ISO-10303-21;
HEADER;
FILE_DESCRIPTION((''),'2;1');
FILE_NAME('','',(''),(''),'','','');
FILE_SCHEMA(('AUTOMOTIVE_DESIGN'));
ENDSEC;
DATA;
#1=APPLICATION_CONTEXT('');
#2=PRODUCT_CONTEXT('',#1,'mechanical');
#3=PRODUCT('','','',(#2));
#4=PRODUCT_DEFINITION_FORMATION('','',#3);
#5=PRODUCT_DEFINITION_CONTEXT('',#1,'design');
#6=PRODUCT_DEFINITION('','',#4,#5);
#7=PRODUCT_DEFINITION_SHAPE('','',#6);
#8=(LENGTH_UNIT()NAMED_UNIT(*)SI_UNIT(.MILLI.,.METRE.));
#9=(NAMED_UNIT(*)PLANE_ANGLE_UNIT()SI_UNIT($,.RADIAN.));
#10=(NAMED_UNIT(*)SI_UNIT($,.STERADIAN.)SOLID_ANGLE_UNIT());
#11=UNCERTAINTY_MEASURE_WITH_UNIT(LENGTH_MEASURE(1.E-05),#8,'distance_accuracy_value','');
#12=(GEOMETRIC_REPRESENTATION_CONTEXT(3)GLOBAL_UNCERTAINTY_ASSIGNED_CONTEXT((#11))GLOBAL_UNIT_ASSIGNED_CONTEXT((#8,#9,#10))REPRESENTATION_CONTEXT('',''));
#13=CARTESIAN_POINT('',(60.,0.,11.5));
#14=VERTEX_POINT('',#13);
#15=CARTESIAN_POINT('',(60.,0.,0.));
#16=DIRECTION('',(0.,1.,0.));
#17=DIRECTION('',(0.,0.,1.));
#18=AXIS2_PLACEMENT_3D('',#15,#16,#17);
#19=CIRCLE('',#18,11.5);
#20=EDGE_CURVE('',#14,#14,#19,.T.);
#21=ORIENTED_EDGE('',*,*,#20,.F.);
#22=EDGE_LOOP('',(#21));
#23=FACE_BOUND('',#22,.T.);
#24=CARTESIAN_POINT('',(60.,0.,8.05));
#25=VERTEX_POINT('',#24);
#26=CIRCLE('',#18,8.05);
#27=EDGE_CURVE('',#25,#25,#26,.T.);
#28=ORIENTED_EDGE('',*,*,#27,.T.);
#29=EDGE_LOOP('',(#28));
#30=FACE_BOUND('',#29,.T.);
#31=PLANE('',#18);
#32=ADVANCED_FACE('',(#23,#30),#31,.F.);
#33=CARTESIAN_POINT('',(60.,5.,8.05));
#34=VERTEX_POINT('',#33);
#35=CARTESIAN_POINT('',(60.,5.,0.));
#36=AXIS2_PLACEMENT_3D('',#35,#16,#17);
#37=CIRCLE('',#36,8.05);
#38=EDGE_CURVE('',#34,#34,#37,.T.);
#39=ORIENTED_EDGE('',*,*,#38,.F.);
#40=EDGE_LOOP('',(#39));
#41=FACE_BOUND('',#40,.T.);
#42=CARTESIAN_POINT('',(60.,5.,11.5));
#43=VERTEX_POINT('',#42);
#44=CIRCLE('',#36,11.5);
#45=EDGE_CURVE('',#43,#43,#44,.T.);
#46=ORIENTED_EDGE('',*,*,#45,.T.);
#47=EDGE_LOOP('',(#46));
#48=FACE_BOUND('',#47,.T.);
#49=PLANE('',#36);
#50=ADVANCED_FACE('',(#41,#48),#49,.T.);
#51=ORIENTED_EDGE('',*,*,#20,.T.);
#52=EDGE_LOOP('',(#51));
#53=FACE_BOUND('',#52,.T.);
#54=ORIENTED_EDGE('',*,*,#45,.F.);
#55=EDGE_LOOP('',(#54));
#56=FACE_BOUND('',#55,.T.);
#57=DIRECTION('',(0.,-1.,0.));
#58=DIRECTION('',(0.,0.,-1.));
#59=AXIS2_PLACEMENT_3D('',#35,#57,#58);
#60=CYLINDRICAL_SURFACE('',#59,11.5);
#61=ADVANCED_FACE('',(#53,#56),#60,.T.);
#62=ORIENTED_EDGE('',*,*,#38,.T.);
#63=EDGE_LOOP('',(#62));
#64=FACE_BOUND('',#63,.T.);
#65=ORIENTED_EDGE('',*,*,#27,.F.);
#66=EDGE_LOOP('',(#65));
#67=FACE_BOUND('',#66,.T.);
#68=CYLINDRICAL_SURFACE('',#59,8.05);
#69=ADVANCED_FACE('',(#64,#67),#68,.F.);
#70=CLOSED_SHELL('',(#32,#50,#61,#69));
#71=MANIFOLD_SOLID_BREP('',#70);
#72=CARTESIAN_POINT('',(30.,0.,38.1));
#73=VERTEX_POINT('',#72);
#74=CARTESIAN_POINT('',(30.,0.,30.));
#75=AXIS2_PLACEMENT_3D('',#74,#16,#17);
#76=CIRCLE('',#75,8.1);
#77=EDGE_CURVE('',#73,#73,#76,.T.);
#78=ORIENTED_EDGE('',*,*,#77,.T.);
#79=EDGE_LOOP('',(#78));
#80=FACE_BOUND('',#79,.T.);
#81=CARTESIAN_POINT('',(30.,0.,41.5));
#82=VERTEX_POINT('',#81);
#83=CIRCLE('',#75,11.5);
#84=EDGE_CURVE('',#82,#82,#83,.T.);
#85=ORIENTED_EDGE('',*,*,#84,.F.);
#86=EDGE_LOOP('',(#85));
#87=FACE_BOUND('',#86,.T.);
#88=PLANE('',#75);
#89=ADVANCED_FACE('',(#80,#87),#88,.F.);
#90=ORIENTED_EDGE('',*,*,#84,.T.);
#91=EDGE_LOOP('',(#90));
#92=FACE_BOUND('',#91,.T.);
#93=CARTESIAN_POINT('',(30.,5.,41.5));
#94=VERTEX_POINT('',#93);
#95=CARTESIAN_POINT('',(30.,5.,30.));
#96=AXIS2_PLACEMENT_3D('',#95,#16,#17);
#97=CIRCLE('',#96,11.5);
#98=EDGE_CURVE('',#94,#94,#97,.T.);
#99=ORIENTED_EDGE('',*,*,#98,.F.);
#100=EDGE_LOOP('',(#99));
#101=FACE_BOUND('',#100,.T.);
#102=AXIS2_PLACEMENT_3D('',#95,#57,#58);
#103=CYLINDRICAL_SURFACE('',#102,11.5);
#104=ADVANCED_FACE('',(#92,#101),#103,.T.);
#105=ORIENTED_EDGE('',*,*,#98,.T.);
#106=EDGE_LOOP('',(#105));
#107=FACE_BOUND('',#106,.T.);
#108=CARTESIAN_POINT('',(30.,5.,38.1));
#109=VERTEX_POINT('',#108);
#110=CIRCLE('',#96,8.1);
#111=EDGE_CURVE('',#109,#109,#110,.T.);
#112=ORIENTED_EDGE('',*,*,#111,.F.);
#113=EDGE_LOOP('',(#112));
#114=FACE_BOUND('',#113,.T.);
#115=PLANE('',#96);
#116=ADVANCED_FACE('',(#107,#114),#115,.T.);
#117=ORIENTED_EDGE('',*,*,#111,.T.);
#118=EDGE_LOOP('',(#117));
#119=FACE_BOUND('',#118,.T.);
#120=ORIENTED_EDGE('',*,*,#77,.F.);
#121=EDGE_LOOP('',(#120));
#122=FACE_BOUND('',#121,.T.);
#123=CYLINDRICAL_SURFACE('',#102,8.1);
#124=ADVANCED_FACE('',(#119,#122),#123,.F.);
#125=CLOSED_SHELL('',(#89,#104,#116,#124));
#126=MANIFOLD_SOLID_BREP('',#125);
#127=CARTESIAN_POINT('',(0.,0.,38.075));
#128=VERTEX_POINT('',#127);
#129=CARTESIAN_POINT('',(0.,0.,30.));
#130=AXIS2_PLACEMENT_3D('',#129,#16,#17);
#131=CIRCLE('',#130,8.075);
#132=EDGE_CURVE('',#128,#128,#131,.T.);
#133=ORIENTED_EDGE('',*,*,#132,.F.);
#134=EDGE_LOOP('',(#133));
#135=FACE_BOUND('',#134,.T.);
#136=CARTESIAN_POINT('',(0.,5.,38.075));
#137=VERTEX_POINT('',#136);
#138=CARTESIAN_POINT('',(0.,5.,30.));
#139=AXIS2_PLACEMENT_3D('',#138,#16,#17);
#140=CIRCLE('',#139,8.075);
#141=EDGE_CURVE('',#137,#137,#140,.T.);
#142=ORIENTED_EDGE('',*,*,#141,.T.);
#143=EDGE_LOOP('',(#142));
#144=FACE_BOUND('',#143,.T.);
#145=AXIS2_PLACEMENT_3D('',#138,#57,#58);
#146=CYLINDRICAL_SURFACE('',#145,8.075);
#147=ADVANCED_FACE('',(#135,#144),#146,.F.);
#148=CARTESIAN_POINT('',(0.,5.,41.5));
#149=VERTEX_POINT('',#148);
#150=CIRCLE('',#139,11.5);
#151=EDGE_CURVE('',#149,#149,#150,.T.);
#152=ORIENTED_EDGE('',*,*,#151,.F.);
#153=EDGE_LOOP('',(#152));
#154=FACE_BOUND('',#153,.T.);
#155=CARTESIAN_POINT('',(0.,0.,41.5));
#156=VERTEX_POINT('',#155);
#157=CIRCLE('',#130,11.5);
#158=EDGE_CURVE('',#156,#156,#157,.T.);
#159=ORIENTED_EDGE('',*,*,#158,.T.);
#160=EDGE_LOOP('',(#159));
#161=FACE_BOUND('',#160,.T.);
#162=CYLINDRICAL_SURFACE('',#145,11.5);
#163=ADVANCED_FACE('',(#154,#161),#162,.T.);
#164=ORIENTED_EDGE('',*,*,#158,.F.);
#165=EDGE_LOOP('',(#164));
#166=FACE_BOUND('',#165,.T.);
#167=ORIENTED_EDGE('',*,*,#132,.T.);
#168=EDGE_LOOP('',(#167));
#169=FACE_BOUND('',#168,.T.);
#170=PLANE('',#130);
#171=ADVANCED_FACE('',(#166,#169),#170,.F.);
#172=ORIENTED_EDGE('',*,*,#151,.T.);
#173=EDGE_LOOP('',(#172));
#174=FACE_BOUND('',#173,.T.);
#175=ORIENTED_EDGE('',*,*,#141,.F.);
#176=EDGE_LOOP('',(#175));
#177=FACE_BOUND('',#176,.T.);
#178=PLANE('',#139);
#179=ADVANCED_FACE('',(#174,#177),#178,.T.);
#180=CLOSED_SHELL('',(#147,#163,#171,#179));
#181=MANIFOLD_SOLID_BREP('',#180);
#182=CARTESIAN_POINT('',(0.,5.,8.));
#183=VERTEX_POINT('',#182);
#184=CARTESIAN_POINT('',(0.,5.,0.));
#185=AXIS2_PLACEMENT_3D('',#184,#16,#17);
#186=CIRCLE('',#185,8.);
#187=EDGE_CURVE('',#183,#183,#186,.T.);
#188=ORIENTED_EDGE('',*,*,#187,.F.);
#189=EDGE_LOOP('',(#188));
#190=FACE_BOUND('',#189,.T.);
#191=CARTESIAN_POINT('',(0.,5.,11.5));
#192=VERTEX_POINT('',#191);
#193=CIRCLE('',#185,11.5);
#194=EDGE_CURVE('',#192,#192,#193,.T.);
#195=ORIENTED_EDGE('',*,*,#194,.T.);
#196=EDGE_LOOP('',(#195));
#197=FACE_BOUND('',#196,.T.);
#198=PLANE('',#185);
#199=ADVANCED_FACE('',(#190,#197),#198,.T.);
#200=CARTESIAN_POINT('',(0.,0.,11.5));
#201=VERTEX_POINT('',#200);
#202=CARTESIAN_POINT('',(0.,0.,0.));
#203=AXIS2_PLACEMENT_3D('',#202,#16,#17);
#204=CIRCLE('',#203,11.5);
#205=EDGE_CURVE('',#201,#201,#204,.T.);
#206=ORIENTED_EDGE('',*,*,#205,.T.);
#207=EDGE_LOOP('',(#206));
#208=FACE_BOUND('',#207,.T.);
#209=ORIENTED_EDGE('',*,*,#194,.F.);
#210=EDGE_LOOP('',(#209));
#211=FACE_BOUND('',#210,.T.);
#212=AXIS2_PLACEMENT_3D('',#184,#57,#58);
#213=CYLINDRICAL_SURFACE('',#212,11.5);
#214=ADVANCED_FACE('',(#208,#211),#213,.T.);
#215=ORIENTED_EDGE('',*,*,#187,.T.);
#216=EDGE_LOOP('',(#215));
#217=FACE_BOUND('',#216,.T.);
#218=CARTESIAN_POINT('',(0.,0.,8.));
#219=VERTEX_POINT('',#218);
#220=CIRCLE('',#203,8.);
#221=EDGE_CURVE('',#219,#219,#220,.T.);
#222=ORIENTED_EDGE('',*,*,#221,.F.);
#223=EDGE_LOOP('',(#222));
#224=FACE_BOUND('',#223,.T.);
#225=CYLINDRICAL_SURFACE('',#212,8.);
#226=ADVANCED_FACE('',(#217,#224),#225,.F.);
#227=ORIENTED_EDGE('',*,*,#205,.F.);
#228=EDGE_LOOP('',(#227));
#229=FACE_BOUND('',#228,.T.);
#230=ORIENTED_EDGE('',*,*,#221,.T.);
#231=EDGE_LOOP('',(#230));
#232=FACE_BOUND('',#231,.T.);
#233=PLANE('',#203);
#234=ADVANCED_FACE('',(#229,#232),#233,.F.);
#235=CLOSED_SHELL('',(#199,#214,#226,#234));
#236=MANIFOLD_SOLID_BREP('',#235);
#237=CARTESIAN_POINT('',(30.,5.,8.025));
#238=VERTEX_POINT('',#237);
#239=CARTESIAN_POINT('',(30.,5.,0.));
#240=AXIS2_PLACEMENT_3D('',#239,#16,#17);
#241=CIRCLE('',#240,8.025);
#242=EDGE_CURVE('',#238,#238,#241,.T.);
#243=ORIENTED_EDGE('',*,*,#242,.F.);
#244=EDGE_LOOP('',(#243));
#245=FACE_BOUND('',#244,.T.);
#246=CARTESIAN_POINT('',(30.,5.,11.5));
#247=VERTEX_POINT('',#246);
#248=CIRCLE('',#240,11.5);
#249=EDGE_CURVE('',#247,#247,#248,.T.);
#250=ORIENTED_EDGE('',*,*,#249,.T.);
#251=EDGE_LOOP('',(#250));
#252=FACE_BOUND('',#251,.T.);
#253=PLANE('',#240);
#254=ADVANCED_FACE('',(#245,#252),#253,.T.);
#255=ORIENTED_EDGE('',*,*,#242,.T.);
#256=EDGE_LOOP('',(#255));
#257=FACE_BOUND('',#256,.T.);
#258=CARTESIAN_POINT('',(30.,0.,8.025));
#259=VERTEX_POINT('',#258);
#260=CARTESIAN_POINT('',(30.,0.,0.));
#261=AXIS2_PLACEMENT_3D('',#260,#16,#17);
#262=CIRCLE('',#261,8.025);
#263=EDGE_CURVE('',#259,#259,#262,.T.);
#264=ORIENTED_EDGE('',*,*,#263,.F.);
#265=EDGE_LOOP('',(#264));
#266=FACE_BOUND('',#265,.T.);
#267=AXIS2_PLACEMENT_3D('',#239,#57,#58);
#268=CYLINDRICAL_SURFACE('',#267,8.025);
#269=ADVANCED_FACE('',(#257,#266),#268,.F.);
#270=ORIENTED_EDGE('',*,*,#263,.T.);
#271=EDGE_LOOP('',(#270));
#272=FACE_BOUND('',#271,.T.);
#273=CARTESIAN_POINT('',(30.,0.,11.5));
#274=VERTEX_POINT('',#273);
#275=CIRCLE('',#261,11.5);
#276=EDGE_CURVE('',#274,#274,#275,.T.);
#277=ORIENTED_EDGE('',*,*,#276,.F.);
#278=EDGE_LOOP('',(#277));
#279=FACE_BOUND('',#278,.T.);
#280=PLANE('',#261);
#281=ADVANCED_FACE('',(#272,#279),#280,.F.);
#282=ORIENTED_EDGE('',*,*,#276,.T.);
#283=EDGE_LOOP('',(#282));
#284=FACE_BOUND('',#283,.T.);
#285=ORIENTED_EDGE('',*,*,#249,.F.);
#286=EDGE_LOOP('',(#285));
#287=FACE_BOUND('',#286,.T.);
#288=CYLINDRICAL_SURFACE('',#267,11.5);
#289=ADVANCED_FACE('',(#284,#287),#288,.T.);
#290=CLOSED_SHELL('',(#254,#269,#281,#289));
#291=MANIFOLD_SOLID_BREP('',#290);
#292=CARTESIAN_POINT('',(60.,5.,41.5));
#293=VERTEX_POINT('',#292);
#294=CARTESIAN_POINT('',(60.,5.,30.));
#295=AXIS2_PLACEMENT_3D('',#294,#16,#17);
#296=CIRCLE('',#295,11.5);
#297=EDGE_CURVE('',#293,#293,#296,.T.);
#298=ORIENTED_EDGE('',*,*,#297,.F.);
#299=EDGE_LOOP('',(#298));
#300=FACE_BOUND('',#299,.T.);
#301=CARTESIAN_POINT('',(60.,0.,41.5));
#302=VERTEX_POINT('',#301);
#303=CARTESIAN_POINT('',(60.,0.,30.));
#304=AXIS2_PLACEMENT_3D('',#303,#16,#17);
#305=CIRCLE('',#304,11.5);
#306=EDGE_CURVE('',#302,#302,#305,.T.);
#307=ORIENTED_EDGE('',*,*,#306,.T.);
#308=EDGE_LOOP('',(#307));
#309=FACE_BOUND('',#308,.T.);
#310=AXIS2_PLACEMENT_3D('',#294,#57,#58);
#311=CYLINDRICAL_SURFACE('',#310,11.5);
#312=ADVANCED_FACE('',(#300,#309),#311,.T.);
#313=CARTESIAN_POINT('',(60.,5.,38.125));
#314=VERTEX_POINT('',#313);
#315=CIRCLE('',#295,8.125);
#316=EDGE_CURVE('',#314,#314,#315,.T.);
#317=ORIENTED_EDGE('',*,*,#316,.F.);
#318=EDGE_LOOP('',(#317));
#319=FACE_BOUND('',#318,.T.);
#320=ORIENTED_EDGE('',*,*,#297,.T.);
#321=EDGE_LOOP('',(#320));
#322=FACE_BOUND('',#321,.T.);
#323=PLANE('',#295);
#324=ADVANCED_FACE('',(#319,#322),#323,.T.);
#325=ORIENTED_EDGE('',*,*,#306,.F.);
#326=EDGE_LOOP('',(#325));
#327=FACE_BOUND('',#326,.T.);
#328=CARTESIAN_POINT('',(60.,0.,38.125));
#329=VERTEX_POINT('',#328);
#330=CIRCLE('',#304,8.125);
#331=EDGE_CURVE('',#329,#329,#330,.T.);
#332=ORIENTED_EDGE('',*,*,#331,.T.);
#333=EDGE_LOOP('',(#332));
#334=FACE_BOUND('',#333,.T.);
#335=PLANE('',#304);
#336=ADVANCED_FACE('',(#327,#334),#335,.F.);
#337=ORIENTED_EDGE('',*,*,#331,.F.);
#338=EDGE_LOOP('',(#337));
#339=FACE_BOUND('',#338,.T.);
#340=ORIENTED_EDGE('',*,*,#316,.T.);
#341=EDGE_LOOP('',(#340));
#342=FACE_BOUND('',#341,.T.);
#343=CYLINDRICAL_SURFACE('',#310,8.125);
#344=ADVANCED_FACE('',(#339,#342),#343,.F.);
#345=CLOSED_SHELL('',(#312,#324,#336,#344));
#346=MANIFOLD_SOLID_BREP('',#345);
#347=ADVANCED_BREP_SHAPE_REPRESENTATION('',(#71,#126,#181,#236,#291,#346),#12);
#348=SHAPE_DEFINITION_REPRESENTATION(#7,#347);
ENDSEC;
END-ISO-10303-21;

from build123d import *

# Parameters (mm, degrees)
SKETCH1_R             = 11.5
SKETCH1_R_2           = 8
BOSS_EXTRUDE1_DEPTH   = 5
SKETCH1_R_3           = 8.025
BOSS_EXTRUDE1_2_DEPTH = 5
SKETCH1_R_4           = 8.05
BOSS_EXTRUDE1_3_DEPTH = 5
SKETCH1_R_5           = 8.1
BOSS_EXTRUDE1_4_DEPTH = 5
SKETCH1_R_6           = 8.125
BOSS_EXTRUDE1_5_DEPTH = 5
SKETCH1_R_7           = 8.075
BOSS_EXTRUDE1_6_DEPTH = 5


with BuildPart() as part:
    # Sketch1 → Boss-Extrude1 (new body)
    with BuildSketch(Plane(origin=(0, 0, 0), x_dir=(1, 0, 0), z_dir=(0, 1, 0))):
        with Locations(Location((0, 0, 0), (0, 0, 270))):
            Circle(SKETCH1_R)
        with Locations(Location((0, 0, 0), (0, 0, 270))):
            Circle(SKETCH1_R_2, mode=Mode.SUBTRACT)
    extrude(amount=BOSS_EXTRUDE1_DEPTH)


with BuildPart() as body_2:
    # Sketch1 → Boss-Extrude1 2 (new body)
    with BuildSketch(Plane(origin=(0, 0, 0), x_dir=(1, 0, 0), z_dir=(0, 1, 0))):
        with Locations(Location((30, 0, 0), (0, 0, 270))):
            Circle(SKETCH1_R)
        with Locations(Location((30, 0, 0), (0, 0, 270))):
            Circle(SKETCH1_R_3, mode=Mode.SUBTRACT)
    extrude(amount=BOSS_EXTRUDE1_2_DEPTH)


with BuildPart() as body_3:
    # Sketch1 → Boss-Extrude1 3 (new body)
    with BuildSketch(Plane(origin=(0, 0, 0), x_dir=(1, 0, 0), z_dir=(0, 1, 0))):
        with Locations(Location((60, 0, 0), (0, 0, 270))):
            Circle(SKETCH1_R)
        with Locations(Location((60, 0, 0), (0, 0, 270))):
            Circle(SKETCH1_R_4, mode=Mode.SUBTRACT)
    extrude(amount=BOSS_EXTRUDE1_3_DEPTH)


with BuildPart() as body_4:
    # Sketch1 → Boss-Extrude1 4 (new body)
    with BuildSketch(Plane(origin=(0, 0, 0), x_dir=(1, 0, 0), z_dir=(0, 1, 0))):
        with Locations(Location((30, -30, 0), (0, 0, 270))):
            Circle(SKETCH1_R)
        with Locations(Location((30, -30, 0), (0, 0, 270))):
            Circle(SKETCH1_R_5, mode=Mode.SUBTRACT)
    extrude(amount=BOSS_EXTRUDE1_4_DEPTH)


with BuildPart() as body_5:
    # Sketch1 → Boss-Extrude1 5 (new body)
    with BuildSketch(Plane(origin=(0, 0, 0), x_dir=(1, 0, 0), z_dir=(0, 1, 0))):
        with Locations(Location((60, -30, 0), (0, 0, 270))):
            Circle(SKETCH1_R)
        with Locations(Location((60, -30, 0), (0, 0, 270))):
            Circle(SKETCH1_R_6, mode=Mode.SUBTRACT)
    extrude(amount=BOSS_EXTRUDE1_5_DEPTH)


with BuildPart() as body_6:
    # Sketch1 → Boss-Extrude1 6 (new body)
    with BuildSketch(Plane(origin=(0, 0, 0), x_dir=(1, 0, 0), z_dir=(0, 1, 0))):
        with Locations(Location((0, -30, 0), (0, 0, 270))):
            Circle(SKETCH1_R)
        with Locations(Location((0, -30, 0), (0, 0, 270))):
            Circle(SKETCH1_R_7, mode=Mode.SUBTRACT)
    extrude(amount=BOSS_EXTRUDE1_6_DEPTH)


solid = Compound([part.part, body_2.part, body_3.part, body_4.part, body_5.part, body_6.part])
